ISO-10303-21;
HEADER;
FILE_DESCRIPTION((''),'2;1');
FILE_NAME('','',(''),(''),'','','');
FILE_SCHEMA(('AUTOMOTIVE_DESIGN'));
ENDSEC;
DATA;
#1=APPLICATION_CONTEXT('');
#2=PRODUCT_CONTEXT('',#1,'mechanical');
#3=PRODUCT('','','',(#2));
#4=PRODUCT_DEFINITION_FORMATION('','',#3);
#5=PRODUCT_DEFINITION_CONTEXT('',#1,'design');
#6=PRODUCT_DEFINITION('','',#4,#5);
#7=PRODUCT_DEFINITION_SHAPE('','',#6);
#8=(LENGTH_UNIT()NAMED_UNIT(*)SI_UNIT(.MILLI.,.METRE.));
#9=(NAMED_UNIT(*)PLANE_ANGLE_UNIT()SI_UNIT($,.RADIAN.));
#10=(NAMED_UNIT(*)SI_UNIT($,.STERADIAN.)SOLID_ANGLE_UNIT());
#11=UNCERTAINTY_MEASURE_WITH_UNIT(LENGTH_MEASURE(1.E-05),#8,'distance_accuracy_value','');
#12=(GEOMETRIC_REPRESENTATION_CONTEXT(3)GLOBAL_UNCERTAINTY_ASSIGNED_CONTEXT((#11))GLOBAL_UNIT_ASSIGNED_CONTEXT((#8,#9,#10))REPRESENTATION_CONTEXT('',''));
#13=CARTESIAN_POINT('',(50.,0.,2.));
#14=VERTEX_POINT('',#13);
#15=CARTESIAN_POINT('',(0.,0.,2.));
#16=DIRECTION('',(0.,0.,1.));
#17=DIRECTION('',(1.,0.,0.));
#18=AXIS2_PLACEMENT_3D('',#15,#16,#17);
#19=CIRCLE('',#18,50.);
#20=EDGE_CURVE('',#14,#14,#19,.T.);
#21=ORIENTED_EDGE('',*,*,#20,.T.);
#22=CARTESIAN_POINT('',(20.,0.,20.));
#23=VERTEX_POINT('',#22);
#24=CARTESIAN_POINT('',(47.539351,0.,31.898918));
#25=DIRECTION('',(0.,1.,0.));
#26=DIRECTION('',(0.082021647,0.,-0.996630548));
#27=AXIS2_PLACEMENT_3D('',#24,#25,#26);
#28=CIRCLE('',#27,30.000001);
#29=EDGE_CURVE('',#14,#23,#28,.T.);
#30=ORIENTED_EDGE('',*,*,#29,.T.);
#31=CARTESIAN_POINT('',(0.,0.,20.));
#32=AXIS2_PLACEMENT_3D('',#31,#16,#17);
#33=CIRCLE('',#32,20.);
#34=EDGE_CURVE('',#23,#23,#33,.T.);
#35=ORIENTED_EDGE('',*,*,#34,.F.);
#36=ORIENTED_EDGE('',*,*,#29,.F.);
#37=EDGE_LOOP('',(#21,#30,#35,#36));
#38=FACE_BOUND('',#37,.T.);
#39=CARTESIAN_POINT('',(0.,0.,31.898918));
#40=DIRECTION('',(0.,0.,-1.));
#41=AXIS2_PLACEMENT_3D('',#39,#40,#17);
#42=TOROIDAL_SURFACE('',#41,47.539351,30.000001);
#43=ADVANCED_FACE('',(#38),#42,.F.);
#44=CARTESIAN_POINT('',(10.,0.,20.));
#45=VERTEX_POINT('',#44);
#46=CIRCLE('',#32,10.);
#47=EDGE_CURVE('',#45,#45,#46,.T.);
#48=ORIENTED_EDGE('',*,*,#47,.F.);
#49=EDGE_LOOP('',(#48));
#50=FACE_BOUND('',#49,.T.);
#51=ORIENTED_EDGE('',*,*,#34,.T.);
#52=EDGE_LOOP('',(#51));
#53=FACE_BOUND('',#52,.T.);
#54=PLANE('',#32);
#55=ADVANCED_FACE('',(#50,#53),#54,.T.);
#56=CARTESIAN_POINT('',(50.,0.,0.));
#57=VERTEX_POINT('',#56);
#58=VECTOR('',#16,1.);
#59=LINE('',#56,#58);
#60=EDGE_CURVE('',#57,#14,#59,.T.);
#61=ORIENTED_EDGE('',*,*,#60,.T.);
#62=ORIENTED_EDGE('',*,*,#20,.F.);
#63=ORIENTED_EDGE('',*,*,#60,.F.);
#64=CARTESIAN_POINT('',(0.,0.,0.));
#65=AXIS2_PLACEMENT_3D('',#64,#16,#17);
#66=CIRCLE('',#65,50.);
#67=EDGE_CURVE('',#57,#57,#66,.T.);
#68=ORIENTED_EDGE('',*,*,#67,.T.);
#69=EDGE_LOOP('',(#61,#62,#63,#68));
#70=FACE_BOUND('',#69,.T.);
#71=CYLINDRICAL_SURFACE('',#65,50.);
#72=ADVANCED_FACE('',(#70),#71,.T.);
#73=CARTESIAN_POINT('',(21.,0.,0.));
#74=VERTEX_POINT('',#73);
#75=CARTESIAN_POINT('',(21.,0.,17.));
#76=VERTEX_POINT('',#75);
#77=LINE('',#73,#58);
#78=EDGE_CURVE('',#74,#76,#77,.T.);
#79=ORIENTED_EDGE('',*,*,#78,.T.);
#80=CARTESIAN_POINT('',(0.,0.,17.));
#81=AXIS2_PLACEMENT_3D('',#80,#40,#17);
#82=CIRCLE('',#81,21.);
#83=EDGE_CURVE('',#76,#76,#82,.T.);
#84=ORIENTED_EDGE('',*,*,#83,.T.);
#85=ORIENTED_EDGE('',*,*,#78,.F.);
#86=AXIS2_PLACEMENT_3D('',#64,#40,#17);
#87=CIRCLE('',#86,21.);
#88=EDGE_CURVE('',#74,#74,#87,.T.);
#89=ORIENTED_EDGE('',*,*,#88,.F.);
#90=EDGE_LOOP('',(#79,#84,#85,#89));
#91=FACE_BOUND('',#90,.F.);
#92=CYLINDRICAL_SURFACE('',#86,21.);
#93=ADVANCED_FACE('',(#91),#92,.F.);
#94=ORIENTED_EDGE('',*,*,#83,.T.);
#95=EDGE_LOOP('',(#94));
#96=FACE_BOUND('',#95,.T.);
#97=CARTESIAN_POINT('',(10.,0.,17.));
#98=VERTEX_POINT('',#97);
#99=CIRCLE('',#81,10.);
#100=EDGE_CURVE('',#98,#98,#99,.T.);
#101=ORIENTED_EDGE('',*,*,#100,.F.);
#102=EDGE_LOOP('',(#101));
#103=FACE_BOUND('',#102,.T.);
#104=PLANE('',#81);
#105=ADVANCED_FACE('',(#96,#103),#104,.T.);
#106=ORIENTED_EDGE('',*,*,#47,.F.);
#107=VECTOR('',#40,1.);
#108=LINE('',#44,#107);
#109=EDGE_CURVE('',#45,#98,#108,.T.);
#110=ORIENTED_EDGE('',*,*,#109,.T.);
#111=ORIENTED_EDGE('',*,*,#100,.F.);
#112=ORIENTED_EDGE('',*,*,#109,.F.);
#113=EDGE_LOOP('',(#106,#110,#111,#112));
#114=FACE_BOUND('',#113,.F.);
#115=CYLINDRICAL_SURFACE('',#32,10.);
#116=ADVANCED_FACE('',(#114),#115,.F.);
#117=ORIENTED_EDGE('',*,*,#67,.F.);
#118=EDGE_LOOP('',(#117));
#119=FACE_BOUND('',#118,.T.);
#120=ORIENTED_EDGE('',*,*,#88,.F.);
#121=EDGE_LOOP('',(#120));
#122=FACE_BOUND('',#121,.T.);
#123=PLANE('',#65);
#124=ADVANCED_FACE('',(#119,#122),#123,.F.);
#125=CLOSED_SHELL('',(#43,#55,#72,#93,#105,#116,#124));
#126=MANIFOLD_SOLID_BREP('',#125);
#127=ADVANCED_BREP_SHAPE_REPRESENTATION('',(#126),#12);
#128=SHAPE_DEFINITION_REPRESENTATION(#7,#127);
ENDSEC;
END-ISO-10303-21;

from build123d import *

# Parameters (mm, degrees)
F2_R     = 10
F3_DEPTH = 20.001
F4_R     = 21
F4_R_2   = 10
F5_DEPTH = 17


with BuildPart() as f1:
    # F0 (on Front) → F1 (revolve)
    with BuildSketch(Plane.XZ):
        with BuildLine():
            Line((0, 20), (0, 0))
            Line((0, 0), (50, 0))
            Line((50, 0), (50, 2))
            ThreePointArc((50, 2), (32.104477, 6.174129), (20, 20))
            Line((20, 20), (0, 20))
        make_face()
    revolve(axis=Axis((0, 0, 10), (0, 0, 1)))

    # F2 (on face) → F3 (cut, through all)
    with BuildSketch(Plane.XY.offset(20)):
        Circle(F2_R)
    extrude(amount=-F3_DEPTH, mode=Mode.SUBTRACT)

    # F4 (on face) → F5 (cut)
    with BuildSketch(Plane(origin=(0, 0, 0), x_dir=(1, 0, 0), z_dir=(0, 0, -1))):
        Circle(F4_R)
        Circle(F4_R_2, mode=Mode.SUBTRACT)
    extrude(amount=-F5_DEPTH, mode=Mode.SUBTRACT)


solid = f1.part
